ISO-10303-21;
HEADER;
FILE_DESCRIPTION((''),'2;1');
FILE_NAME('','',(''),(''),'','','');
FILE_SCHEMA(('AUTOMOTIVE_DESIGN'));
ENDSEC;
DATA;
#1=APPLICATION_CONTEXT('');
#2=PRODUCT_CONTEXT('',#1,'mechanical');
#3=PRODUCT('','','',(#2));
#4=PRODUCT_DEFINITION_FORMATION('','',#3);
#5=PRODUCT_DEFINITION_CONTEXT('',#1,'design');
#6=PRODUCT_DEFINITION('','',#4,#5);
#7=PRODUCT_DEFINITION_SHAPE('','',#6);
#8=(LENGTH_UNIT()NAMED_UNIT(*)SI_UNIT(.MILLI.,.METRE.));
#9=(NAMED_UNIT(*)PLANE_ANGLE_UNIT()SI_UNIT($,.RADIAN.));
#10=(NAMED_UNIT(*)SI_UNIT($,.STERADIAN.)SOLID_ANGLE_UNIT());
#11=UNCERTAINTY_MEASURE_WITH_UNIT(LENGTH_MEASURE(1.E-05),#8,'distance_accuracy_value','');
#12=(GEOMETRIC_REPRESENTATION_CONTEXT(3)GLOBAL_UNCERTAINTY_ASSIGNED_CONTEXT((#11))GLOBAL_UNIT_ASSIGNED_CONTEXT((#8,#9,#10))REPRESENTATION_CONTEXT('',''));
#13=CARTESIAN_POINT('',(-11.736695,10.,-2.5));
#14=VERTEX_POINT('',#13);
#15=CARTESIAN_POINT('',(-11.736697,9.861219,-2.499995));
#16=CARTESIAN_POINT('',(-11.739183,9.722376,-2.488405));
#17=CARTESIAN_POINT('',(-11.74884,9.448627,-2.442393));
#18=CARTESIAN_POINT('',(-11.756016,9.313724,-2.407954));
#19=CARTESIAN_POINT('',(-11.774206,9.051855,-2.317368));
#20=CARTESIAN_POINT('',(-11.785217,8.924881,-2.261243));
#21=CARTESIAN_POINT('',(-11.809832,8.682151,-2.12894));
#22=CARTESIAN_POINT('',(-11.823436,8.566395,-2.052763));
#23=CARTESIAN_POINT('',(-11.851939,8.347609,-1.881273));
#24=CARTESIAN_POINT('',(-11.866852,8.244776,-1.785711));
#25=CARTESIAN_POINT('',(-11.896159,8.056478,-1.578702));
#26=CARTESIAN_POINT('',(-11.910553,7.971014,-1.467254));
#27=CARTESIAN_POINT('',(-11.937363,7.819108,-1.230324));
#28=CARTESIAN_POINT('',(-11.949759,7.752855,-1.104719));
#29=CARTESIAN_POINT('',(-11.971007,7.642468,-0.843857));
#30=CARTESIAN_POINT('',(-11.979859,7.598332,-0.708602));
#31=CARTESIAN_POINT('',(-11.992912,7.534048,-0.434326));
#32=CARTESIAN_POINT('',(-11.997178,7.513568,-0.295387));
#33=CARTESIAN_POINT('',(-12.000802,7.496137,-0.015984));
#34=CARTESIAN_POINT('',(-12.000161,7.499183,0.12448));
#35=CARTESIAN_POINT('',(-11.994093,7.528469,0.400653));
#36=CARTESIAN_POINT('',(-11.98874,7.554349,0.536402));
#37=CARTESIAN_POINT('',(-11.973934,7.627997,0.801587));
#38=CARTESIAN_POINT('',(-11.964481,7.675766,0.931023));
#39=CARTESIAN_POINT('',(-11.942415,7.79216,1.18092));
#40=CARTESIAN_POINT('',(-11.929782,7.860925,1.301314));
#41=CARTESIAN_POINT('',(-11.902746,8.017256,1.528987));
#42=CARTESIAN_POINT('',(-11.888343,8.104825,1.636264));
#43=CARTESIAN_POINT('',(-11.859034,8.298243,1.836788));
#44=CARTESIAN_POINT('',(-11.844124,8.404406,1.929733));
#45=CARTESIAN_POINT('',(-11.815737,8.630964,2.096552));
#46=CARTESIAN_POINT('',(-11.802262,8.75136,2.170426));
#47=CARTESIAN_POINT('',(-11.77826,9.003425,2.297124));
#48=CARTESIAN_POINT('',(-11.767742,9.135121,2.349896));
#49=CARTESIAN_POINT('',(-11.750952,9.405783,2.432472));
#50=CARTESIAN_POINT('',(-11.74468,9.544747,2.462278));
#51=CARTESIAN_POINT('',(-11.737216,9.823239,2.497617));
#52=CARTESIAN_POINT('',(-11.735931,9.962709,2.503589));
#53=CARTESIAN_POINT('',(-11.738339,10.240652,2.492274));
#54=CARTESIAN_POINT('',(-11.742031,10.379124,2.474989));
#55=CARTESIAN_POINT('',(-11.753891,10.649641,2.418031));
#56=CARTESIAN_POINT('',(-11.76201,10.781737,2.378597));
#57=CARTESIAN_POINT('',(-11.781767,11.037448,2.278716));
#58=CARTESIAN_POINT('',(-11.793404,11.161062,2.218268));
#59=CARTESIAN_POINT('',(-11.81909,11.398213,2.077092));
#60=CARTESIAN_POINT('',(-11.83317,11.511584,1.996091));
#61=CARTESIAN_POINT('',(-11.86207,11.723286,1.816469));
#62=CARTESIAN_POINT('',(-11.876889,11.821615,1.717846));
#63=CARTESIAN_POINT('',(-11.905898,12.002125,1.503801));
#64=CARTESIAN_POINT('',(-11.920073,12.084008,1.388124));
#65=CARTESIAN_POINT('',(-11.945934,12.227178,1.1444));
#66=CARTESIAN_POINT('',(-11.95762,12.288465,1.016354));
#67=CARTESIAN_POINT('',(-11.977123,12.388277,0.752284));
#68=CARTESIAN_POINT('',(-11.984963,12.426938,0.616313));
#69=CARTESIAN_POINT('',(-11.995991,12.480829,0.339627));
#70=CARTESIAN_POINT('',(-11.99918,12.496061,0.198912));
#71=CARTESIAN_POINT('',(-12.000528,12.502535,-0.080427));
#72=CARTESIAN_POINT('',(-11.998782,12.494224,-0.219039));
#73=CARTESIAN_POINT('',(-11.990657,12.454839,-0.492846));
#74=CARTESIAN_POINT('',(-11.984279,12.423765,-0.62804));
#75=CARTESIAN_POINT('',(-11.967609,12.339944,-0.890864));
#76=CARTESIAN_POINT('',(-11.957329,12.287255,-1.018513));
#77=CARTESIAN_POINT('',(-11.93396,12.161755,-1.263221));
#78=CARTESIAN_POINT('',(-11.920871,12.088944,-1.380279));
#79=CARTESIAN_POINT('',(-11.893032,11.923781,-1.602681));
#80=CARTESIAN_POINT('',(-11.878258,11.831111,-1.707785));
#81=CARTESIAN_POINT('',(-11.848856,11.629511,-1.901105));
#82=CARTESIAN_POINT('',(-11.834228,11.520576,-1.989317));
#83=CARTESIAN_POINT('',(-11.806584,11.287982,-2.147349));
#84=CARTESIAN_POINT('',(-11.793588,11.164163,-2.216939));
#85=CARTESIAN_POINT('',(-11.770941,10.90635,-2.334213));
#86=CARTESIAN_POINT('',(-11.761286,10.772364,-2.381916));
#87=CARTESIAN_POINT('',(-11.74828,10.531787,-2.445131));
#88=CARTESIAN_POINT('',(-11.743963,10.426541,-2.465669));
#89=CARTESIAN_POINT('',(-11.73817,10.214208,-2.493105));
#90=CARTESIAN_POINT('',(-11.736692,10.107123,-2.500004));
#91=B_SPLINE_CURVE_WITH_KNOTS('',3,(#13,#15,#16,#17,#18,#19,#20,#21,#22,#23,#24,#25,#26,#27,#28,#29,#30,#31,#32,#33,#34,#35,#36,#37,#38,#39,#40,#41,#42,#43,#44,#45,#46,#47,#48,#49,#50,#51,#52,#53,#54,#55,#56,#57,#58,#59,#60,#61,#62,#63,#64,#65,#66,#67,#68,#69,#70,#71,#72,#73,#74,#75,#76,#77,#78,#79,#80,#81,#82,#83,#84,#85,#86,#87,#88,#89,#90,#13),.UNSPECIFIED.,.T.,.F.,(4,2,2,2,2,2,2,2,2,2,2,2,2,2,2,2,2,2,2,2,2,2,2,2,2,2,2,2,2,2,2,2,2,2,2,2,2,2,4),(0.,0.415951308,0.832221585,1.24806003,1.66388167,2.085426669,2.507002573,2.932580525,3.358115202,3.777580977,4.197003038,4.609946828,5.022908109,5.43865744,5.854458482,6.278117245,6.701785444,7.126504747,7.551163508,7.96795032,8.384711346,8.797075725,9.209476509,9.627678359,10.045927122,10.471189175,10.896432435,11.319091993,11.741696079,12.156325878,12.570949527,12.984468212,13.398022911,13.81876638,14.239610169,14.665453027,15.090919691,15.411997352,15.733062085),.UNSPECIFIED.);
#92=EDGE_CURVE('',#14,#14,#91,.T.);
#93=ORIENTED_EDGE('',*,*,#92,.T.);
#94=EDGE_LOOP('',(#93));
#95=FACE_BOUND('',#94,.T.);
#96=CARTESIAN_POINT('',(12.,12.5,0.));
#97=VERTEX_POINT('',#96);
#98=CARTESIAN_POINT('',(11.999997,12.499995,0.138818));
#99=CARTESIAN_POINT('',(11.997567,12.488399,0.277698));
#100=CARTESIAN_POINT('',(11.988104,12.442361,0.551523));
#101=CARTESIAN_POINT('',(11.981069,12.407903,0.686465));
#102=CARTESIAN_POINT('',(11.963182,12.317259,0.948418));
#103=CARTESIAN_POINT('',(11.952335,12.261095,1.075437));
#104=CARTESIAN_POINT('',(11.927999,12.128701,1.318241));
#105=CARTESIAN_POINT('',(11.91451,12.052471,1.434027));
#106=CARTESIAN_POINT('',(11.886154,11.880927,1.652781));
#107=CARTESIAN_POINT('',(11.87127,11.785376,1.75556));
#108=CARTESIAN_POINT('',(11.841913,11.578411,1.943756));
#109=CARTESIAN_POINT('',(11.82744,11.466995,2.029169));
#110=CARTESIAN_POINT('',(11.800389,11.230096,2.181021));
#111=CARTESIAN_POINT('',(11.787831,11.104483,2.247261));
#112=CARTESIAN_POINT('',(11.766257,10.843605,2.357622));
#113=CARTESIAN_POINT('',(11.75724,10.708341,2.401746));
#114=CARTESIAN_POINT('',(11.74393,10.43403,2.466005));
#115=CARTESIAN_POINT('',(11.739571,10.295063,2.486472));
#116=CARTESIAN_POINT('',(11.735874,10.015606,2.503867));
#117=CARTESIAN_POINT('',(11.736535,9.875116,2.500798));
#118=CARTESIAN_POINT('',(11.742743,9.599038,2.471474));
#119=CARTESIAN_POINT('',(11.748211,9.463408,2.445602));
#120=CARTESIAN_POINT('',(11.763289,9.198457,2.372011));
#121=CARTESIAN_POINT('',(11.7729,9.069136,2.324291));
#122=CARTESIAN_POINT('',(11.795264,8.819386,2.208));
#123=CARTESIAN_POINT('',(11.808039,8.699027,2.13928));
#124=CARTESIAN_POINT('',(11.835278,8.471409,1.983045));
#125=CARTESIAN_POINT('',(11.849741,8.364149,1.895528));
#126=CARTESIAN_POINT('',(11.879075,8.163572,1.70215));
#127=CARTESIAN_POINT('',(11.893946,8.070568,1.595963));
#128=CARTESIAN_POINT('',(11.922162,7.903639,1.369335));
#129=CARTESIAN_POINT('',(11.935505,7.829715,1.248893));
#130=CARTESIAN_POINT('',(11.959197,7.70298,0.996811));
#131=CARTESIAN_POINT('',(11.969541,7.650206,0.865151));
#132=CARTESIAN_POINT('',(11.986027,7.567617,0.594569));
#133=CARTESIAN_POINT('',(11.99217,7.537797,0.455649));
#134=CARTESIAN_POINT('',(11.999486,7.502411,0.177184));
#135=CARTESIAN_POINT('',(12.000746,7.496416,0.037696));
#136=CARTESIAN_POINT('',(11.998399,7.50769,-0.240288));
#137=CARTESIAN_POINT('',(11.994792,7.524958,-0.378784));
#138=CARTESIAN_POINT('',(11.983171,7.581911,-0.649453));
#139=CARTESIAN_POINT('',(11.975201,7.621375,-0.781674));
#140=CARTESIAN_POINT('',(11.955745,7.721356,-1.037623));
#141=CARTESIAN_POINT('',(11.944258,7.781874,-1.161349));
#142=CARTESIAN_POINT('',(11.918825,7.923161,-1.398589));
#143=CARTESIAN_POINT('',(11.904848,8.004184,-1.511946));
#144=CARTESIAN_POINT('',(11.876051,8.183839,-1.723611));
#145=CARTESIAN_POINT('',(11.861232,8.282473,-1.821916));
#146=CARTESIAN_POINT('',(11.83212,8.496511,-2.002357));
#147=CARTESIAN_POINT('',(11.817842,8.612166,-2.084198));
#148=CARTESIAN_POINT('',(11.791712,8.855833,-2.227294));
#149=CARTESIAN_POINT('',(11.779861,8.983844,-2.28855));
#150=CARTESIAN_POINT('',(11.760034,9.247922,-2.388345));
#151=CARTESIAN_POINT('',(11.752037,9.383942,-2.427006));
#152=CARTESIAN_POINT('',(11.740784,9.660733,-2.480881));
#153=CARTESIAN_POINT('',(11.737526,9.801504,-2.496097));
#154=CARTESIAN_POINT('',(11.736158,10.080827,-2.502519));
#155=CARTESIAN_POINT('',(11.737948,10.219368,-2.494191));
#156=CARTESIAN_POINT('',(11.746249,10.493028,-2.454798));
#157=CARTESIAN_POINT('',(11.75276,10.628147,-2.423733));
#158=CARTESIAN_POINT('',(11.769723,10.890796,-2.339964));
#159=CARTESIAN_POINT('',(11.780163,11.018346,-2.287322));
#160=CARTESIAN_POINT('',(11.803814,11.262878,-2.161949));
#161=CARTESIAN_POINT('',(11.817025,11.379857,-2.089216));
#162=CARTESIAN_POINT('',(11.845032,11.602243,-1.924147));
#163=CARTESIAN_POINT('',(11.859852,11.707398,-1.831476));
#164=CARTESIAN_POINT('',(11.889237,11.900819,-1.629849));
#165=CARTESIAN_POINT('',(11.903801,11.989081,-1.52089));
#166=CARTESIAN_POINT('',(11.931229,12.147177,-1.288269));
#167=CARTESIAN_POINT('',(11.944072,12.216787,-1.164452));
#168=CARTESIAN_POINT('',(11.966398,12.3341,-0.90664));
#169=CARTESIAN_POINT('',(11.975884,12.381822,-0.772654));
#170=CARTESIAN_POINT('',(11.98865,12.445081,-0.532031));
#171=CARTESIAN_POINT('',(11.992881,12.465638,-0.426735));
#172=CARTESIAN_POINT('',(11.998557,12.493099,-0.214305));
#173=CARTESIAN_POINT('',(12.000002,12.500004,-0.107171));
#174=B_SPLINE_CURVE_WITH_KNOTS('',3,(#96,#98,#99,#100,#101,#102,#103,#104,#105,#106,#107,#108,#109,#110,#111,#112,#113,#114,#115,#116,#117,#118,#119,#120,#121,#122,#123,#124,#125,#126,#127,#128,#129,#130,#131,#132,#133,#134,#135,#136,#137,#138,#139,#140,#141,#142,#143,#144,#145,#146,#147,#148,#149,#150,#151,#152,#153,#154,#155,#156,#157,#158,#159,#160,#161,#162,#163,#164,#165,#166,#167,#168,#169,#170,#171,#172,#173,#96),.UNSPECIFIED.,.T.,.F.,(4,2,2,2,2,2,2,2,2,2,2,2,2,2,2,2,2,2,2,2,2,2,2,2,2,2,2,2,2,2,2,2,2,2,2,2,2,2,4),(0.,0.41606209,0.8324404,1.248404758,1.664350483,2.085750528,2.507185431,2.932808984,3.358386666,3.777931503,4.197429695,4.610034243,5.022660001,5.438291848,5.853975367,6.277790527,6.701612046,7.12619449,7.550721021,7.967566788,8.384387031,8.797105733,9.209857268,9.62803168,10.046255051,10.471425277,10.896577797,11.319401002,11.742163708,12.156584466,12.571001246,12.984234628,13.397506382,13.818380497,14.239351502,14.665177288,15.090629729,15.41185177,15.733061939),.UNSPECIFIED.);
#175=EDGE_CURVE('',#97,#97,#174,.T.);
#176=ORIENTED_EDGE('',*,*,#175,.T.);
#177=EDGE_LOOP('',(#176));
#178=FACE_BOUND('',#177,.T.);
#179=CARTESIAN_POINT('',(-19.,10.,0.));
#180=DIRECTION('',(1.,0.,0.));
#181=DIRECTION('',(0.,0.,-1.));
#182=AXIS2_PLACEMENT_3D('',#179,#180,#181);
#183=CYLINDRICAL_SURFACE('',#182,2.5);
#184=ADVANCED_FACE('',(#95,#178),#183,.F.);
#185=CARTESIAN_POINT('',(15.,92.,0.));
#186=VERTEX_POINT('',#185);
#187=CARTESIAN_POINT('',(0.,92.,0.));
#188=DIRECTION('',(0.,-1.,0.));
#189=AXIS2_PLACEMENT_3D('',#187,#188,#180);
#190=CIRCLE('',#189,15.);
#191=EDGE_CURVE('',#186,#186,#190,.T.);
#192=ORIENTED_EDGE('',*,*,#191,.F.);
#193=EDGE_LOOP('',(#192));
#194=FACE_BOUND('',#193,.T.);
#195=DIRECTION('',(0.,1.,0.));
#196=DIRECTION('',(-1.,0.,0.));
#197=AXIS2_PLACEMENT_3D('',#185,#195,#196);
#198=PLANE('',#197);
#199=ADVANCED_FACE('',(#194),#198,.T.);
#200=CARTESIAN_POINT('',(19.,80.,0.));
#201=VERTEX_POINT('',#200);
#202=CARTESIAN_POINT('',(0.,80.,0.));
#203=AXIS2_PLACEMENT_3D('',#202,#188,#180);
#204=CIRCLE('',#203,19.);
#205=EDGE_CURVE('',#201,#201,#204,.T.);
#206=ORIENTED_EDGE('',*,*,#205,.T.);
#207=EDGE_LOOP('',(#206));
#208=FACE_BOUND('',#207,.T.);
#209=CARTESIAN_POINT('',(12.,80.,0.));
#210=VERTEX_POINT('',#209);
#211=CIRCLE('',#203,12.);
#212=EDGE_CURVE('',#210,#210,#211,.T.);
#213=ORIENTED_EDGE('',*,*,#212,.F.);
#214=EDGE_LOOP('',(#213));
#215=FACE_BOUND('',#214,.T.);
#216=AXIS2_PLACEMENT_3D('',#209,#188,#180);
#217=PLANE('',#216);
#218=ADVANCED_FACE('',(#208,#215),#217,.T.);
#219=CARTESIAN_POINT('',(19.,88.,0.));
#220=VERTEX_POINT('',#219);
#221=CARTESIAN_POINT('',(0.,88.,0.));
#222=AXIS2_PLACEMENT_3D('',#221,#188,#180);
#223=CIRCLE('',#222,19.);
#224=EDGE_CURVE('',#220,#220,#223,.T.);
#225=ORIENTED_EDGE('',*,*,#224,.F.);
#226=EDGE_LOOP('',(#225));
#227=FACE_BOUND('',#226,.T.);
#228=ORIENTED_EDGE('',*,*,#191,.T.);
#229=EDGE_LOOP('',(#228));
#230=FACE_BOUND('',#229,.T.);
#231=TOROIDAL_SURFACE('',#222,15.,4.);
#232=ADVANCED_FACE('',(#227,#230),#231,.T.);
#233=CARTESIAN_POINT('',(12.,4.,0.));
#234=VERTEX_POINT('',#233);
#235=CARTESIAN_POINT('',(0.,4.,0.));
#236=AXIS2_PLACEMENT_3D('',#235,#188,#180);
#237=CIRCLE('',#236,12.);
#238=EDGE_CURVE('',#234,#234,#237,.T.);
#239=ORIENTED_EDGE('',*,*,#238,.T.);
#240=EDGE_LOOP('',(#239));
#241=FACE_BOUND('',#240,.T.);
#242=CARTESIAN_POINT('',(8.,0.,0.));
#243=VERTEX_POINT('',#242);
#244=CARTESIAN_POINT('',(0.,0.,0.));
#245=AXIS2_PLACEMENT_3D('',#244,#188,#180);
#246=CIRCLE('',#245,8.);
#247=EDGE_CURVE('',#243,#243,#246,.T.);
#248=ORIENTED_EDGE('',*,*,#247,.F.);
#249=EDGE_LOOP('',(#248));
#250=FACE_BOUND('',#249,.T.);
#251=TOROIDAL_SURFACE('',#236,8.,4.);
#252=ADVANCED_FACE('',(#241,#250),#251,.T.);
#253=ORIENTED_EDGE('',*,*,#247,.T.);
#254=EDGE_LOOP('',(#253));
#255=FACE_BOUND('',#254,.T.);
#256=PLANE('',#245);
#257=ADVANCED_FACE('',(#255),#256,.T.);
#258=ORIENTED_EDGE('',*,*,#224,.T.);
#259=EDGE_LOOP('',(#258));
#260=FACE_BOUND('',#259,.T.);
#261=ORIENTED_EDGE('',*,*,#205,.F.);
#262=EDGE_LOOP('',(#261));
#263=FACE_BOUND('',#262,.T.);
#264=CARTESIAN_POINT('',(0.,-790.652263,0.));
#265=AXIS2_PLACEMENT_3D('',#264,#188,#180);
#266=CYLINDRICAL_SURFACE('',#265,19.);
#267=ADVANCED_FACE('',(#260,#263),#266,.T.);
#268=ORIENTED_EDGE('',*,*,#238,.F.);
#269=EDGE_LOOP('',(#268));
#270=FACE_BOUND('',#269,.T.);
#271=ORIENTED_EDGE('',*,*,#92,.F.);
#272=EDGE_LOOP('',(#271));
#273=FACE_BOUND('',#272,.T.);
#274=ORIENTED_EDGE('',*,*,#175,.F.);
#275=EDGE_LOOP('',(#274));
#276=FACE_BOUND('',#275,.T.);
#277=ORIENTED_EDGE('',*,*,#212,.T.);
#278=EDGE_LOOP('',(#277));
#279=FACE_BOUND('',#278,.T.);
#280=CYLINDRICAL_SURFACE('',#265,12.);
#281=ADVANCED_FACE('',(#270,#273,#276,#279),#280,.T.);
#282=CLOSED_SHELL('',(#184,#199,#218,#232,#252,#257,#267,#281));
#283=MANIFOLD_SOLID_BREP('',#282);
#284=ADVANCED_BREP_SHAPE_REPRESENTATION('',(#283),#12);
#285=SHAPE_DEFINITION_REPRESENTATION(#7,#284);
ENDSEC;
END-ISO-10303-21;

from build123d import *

# Parameters (mm, degrees)
CUT_EXTRUDE1_DEPTH      = 96.843622656
CUT_EXTRUDE1_DEPTH_BACK = 96.843622656
SKETCH2_R               = 2.5


with BuildPart() as part:
    # Sketch1 → Revolve1 (revolve)
    with BuildSketch(Plane.XY):
        with BuildLine():
            Line((0, 0), (8, 0))
            ThreePointArc((8, 0), (10.828427125, 1.171572875), (12, 4))
            Line((12, 4), (12, 80))
            Line((12, 80), (19, 80))
            Line((19, 80), (19, 88))
            ThreePointArc((19, 88), (17.828427125, 90.828427125), (15, 92))
            Line((15, 92), (0, 92))
            Line((0, 92), (0, 0))
        make_face()
    revolve(axis=Axis((0, -790.652262501, 0), (0, 1, 0)))

    # Sketch2 → Cut-Extrude1 (cut, two sides: drawn at the far end of the back side and taken through both)
    with BuildSketch(Plane(origin=(0, 0, 0), x_dir=(0, 0, -1), z_dir=(1, 0, 0)).offset(-CUT_EXTRUDE1_DEPTH_BACK)):
        with Locations((0, 10)):
            Circle(SKETCH2_R)
    extrude(amount=CUT_EXTRUDE1_DEPTH + CUT_EXTRUDE1_DEPTH_BACK, mode=Mode.SUBTRACT)


solid = part.part
